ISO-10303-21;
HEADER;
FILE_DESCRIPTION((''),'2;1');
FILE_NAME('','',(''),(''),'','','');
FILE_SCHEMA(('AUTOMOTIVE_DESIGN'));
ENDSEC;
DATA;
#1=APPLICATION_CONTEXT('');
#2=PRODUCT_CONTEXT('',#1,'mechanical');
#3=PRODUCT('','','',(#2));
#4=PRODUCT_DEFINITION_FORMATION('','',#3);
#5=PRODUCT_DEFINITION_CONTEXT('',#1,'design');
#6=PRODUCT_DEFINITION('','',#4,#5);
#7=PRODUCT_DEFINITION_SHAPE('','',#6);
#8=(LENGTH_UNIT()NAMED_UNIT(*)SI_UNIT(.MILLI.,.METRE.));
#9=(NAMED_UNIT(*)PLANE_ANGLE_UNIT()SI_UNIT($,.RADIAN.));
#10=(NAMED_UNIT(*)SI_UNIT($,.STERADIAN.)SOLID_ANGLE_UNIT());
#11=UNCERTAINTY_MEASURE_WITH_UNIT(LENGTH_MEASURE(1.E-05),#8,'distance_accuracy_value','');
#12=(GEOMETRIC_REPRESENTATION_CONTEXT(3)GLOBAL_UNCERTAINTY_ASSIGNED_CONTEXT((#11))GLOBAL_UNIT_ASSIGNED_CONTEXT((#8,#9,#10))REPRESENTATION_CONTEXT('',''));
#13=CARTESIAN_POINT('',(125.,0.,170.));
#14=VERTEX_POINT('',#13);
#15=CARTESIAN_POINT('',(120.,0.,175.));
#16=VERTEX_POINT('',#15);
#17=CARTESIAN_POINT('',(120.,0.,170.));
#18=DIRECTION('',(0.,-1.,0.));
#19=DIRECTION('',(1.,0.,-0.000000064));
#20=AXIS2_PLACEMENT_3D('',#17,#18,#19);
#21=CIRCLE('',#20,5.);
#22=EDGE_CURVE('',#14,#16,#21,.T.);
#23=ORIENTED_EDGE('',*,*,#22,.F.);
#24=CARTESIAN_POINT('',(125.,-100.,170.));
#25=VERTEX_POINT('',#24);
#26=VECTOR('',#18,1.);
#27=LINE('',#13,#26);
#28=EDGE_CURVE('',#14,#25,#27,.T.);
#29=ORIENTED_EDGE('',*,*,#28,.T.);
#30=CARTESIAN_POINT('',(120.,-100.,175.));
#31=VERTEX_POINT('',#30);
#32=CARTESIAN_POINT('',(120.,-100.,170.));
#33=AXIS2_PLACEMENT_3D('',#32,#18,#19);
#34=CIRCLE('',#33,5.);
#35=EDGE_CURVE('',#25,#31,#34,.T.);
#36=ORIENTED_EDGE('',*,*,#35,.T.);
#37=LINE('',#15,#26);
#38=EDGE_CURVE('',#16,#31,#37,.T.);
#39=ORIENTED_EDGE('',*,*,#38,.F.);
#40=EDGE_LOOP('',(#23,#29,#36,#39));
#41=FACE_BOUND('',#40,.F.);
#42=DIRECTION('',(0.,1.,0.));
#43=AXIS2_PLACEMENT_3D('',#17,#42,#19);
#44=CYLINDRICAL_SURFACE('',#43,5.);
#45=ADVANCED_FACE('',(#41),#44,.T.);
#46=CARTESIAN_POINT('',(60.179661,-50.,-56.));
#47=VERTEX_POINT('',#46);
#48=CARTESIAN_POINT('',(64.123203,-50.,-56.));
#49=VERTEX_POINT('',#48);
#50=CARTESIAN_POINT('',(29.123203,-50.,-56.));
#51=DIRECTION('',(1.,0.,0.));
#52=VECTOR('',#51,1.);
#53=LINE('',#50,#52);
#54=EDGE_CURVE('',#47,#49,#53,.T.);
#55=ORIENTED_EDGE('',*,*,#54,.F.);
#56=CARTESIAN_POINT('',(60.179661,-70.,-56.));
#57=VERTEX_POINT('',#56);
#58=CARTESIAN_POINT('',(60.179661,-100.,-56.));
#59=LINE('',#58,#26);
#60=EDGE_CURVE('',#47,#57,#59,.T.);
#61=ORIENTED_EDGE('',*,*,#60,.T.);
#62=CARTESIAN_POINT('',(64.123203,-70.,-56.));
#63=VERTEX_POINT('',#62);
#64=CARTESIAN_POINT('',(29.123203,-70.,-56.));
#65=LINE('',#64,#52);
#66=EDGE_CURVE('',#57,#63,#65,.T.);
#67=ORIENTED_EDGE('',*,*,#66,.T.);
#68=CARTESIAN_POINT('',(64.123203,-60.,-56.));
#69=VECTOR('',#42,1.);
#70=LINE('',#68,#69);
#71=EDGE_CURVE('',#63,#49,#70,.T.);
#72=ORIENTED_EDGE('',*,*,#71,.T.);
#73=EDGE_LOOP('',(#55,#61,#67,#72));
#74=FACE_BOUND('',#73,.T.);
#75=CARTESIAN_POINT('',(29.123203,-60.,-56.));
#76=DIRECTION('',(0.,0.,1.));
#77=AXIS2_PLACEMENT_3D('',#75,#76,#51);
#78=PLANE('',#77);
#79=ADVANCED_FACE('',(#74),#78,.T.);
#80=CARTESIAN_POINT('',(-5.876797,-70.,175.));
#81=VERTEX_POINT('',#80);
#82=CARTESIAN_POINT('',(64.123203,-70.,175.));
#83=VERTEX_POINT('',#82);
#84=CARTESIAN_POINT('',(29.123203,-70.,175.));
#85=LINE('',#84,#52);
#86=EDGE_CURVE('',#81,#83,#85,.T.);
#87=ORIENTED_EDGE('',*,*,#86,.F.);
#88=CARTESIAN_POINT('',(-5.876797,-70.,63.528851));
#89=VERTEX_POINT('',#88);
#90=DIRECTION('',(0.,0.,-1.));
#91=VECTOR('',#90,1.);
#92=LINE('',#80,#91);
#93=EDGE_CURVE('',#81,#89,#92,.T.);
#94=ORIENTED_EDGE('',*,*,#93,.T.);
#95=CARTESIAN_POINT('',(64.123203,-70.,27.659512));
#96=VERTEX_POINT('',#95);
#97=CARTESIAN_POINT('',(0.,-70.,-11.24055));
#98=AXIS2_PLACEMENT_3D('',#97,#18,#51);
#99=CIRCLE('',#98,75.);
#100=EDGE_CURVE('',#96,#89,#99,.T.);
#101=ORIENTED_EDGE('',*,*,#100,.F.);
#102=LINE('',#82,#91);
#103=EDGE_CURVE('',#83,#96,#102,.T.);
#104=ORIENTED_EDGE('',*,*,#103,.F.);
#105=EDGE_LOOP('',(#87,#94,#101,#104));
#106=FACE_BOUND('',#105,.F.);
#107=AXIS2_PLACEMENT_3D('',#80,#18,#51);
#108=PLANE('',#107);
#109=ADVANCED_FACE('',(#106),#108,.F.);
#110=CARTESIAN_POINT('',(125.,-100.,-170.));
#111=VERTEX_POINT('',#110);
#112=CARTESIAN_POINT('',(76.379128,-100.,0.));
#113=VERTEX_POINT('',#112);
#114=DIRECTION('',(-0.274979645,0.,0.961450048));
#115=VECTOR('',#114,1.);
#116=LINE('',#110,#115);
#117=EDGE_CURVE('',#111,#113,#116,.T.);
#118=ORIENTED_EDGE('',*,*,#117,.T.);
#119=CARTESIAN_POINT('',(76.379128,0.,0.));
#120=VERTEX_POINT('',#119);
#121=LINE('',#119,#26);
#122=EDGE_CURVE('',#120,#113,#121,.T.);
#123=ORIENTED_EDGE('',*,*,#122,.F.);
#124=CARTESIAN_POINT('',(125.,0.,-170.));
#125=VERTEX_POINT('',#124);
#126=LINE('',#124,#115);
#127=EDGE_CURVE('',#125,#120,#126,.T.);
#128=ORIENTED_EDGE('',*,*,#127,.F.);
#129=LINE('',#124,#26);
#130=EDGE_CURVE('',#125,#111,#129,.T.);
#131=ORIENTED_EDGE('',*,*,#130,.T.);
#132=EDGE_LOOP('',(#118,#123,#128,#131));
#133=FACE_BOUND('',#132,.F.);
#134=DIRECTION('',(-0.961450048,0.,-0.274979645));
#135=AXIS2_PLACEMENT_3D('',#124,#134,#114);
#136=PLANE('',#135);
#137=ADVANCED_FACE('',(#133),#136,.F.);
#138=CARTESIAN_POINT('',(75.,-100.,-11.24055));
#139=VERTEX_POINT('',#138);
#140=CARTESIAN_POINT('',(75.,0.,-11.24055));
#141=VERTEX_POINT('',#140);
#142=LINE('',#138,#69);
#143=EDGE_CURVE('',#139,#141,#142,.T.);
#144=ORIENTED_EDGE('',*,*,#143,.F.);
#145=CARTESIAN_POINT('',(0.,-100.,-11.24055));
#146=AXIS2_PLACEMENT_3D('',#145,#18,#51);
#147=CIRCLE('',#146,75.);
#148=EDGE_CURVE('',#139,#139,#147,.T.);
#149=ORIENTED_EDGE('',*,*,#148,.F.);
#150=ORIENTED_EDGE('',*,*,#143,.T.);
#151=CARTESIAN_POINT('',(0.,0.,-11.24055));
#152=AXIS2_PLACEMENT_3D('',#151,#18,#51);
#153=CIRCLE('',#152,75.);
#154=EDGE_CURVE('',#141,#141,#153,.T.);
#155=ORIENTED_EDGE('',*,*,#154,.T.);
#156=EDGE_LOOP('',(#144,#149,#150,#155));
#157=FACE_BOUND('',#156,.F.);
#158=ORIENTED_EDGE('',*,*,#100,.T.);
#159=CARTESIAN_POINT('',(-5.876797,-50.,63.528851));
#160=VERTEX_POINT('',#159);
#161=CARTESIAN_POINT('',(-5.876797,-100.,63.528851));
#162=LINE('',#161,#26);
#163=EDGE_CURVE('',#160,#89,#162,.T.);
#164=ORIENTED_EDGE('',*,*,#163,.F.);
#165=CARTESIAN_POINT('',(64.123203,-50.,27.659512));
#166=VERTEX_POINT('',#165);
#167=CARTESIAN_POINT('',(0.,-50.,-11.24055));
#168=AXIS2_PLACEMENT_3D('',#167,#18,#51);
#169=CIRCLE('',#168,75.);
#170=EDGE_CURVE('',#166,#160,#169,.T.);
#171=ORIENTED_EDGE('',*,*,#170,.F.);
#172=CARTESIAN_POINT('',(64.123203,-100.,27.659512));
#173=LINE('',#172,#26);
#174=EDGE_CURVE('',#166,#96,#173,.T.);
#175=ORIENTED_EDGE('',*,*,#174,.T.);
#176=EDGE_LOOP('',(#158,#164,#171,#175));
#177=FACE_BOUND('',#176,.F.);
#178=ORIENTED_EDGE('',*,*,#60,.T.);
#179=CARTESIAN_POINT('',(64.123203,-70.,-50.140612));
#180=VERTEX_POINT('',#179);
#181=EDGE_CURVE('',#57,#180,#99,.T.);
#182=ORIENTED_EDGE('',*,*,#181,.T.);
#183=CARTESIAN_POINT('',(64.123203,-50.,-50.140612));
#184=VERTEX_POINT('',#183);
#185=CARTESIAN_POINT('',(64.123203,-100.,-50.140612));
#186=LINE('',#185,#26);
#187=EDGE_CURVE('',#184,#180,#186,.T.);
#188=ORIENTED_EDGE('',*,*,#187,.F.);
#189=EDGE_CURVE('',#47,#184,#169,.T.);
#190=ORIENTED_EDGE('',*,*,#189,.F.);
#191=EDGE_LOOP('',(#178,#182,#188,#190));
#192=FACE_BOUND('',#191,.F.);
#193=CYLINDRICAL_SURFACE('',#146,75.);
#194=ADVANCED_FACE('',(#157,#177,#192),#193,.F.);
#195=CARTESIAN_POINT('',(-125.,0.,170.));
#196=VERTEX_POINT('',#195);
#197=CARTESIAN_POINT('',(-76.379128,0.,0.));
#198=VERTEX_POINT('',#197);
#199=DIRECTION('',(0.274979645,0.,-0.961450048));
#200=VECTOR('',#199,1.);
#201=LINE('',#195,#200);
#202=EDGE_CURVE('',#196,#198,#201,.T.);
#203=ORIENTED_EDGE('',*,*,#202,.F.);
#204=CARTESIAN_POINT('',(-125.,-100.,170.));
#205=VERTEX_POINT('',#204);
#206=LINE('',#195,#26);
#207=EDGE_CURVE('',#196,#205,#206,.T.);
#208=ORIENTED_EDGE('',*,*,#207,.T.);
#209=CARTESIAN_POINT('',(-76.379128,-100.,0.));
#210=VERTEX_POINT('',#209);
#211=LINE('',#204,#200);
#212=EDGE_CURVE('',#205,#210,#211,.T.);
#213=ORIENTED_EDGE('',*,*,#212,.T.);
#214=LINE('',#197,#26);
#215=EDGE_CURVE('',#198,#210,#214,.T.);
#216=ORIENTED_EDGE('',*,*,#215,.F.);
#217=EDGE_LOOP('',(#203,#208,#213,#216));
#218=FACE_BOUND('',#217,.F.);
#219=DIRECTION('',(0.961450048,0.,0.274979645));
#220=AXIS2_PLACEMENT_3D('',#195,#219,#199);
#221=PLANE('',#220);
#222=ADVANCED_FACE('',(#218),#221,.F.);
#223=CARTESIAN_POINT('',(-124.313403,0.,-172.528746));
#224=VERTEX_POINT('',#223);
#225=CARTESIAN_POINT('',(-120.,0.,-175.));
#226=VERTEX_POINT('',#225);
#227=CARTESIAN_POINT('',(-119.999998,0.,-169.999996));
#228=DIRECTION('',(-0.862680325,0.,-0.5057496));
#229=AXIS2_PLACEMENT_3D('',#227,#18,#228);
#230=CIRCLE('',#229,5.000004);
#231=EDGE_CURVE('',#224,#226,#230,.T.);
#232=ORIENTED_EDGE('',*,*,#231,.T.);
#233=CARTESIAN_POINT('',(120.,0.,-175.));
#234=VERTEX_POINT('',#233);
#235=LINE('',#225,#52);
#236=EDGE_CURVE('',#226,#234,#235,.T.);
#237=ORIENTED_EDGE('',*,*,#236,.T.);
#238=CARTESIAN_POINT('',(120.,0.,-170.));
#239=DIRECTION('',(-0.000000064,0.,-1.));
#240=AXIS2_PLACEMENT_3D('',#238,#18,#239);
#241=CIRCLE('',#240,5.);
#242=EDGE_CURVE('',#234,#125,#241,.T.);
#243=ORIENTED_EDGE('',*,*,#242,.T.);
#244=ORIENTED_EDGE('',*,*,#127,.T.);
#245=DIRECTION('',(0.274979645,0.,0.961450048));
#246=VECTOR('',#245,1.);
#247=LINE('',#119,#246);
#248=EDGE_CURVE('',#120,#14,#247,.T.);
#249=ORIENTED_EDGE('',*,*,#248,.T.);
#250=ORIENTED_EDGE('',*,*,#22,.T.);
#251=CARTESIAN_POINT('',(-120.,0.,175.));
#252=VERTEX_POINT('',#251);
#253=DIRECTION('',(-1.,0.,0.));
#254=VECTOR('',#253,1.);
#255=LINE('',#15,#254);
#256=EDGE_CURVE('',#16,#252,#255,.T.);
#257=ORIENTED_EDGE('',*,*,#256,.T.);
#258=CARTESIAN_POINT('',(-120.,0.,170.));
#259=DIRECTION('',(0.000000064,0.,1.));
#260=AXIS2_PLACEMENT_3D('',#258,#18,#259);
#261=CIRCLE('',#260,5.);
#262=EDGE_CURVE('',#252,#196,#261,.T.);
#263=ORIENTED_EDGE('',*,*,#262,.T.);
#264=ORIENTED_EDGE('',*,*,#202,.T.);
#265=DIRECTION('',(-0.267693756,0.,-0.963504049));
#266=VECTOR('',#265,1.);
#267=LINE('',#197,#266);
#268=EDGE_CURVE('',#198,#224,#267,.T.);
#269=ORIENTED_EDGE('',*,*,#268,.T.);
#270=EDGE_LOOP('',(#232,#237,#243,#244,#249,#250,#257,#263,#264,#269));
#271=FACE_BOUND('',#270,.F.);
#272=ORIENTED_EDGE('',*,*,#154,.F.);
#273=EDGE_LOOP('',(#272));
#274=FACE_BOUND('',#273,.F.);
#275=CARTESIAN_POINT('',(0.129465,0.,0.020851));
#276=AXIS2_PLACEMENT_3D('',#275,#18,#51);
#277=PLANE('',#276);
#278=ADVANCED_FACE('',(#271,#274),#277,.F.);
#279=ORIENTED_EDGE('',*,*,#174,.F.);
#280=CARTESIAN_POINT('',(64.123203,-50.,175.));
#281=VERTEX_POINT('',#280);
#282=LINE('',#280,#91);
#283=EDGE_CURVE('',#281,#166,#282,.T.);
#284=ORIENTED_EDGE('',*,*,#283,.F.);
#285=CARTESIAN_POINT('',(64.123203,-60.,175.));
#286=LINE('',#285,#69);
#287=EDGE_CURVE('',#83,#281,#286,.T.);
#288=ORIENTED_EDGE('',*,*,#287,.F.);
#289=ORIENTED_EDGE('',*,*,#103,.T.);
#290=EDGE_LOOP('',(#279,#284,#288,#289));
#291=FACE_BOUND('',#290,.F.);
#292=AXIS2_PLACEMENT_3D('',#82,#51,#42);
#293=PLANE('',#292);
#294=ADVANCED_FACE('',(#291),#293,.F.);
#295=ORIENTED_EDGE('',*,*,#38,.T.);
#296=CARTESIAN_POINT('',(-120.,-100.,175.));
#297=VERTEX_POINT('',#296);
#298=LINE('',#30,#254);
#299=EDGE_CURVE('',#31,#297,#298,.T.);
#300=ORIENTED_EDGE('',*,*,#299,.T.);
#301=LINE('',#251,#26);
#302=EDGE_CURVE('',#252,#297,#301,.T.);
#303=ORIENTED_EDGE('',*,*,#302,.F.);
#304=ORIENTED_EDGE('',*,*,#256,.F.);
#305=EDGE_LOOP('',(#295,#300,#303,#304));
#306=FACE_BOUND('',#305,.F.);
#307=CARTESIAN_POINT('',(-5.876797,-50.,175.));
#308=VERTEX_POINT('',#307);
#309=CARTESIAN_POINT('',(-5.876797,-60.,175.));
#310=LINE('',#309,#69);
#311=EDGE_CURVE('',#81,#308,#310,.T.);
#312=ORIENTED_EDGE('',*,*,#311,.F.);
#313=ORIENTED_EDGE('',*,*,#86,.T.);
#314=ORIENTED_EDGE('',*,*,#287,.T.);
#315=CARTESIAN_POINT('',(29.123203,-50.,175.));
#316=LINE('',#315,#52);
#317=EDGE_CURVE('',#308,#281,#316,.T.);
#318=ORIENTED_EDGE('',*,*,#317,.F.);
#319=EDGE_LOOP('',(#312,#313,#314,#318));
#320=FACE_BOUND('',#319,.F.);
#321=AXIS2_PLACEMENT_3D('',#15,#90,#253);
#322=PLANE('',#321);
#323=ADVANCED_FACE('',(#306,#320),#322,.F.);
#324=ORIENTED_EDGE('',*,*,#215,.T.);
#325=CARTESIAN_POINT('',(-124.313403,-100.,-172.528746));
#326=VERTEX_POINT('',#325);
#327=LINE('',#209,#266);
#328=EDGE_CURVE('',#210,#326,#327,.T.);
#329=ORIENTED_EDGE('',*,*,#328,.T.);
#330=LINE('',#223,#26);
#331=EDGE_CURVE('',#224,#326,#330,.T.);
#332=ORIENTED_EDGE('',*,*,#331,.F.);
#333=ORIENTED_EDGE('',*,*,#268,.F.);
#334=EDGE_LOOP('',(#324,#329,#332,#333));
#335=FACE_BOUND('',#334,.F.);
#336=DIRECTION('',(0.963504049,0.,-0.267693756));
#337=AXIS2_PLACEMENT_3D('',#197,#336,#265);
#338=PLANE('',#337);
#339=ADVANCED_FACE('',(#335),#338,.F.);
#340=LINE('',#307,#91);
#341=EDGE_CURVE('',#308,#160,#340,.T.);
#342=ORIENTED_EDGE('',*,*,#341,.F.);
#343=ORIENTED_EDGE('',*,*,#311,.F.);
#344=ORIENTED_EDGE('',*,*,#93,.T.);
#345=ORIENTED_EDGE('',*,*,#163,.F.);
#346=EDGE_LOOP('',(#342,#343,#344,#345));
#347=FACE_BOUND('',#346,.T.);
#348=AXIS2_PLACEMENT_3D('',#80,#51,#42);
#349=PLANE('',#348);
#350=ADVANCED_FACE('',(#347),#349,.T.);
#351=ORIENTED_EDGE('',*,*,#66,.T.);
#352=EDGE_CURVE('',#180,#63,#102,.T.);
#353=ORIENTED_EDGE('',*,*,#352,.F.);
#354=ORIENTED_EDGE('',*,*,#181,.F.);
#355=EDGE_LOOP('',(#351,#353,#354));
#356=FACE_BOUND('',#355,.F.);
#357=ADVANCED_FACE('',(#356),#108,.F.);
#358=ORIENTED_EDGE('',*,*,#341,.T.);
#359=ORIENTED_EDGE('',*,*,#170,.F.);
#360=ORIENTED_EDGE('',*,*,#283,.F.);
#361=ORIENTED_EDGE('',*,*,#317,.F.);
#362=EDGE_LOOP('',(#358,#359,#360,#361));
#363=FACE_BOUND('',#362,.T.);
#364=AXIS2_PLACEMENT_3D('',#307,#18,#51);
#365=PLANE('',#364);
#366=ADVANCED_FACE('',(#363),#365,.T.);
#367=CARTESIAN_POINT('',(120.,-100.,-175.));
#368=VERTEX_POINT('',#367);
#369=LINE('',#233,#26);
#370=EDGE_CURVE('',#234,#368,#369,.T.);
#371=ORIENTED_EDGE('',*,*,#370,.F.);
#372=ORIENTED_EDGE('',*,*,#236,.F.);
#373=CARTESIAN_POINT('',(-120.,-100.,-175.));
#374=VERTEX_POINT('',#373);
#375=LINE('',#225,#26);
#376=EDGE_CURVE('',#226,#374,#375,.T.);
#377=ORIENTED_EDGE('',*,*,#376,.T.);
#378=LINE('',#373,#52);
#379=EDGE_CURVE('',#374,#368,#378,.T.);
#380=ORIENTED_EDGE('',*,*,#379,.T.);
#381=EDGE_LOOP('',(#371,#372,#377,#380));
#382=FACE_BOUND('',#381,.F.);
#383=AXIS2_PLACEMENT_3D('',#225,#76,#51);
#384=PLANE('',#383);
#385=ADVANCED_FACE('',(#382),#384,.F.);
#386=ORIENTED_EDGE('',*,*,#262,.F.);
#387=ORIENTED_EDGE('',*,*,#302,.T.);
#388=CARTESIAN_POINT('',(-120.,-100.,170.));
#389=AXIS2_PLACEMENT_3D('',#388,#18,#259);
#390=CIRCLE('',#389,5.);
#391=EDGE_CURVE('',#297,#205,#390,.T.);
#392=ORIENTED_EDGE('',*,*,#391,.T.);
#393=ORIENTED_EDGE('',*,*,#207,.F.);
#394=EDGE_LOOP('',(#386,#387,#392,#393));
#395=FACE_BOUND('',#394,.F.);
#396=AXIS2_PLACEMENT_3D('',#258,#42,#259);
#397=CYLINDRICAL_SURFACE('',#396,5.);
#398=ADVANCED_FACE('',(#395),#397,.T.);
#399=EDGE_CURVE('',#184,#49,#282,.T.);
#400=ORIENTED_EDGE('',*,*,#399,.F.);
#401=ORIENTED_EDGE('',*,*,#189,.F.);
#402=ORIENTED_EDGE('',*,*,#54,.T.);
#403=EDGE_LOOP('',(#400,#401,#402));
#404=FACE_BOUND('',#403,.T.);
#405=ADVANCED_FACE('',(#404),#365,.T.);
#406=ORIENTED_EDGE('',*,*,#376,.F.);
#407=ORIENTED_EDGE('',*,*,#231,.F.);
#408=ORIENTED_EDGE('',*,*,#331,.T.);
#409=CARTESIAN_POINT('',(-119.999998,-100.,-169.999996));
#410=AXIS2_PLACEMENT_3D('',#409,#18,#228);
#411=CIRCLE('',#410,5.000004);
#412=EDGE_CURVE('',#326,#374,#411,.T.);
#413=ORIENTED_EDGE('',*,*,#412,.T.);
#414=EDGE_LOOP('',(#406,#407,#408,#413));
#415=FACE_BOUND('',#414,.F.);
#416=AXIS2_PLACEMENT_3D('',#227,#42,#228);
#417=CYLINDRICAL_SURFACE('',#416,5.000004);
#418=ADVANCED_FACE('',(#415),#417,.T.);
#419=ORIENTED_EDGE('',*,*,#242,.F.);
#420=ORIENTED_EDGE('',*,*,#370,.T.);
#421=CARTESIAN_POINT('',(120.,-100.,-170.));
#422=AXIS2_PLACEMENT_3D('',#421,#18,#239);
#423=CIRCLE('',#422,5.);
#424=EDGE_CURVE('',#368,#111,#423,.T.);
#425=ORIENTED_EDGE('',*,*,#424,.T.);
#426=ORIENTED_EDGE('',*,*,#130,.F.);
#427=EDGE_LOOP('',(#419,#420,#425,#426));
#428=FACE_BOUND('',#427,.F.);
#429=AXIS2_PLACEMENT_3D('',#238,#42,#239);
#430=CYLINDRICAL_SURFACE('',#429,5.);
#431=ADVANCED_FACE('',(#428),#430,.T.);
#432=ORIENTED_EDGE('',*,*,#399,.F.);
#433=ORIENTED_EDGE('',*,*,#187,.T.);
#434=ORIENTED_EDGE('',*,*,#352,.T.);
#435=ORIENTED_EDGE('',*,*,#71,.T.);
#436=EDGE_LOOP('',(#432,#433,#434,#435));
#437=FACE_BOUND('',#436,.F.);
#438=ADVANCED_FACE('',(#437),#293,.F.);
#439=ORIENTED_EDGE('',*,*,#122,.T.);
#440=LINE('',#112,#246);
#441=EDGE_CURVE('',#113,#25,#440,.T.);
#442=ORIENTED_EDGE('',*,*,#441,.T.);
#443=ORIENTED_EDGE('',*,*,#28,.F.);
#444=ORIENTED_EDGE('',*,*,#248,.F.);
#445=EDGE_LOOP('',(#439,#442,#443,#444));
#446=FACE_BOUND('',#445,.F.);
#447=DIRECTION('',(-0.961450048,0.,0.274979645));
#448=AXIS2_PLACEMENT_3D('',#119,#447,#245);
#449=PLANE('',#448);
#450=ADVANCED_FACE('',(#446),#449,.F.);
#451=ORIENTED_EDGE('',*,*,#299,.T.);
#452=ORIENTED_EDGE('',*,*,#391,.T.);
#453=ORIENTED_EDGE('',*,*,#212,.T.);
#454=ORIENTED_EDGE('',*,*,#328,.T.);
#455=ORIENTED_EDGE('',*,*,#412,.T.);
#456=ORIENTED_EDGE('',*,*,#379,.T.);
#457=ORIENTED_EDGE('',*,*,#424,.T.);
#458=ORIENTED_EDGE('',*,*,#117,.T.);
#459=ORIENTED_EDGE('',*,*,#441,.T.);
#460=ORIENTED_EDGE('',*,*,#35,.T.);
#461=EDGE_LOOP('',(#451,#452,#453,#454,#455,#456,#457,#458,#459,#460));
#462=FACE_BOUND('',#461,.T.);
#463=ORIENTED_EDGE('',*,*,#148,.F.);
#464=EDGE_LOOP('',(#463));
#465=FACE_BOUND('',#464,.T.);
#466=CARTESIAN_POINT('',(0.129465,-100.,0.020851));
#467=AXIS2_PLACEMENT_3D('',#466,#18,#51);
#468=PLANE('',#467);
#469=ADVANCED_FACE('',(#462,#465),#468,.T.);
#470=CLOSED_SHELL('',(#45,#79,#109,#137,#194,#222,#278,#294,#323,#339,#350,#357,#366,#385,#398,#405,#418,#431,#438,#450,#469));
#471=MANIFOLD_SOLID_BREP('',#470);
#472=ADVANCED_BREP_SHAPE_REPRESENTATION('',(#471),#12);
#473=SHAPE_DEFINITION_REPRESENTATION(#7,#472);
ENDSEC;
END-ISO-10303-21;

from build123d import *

# Parameters (mm, degrees)
F1_DEPTH = 100
F2_R     = 75
F3_DEPTH = 267
F4_W     = 70
F4_H     = 20
F5_DEPTH = 231


with BuildPart() as f1:
    # F0 (on Front) → F1 (new body)
    with BuildSketch(Plane.XZ):
        with BuildLine():
            Line((120, 175), (-120, 175))
            ThreePointArc((-120, 175), (-123.535534, 173.535534), (-125, 170))
            Line((-125, 170), (-76.379128, 0))
            Line((-76.379128, 0), (-124.313403, -172.528746))
            ThreePointArc((-124.313403, -172.528746), (-122.485585, -174.338417), (-120, -175))
            Line((-120, -175), (120, -175))
            ThreePointArc((120, -175), (123.535534, -173.535534), (125, -170))
            Line((125, -170), (76.379128, 0))
            Line((76.379128, 0), (125, 170))
            ThreePointArc((125, 170), (123.535534, 173.535534), (120, 175))
        make_face()
    extrude(amount=F1_DEPTH)

    # F2 (on face) → F3 (cut)
    with BuildSketch(Plane.XZ.offset(100)):
        with Locations((0, -11.24055)):
            Circle(F2_R)
    extrude(amount=-F3_DEPTH, mode=Mode.SUBTRACT)

    # F4 (on face) → F5 (cut)
    with BuildSketch(Plane.XY.offset(175)):
        with Locations((29.123203, -60)):
            Rectangle(F4_W, F4_H)
    extrude(amount=-F5_DEPTH, mode=Mode.SUBTRACT)


solid = f1.part
